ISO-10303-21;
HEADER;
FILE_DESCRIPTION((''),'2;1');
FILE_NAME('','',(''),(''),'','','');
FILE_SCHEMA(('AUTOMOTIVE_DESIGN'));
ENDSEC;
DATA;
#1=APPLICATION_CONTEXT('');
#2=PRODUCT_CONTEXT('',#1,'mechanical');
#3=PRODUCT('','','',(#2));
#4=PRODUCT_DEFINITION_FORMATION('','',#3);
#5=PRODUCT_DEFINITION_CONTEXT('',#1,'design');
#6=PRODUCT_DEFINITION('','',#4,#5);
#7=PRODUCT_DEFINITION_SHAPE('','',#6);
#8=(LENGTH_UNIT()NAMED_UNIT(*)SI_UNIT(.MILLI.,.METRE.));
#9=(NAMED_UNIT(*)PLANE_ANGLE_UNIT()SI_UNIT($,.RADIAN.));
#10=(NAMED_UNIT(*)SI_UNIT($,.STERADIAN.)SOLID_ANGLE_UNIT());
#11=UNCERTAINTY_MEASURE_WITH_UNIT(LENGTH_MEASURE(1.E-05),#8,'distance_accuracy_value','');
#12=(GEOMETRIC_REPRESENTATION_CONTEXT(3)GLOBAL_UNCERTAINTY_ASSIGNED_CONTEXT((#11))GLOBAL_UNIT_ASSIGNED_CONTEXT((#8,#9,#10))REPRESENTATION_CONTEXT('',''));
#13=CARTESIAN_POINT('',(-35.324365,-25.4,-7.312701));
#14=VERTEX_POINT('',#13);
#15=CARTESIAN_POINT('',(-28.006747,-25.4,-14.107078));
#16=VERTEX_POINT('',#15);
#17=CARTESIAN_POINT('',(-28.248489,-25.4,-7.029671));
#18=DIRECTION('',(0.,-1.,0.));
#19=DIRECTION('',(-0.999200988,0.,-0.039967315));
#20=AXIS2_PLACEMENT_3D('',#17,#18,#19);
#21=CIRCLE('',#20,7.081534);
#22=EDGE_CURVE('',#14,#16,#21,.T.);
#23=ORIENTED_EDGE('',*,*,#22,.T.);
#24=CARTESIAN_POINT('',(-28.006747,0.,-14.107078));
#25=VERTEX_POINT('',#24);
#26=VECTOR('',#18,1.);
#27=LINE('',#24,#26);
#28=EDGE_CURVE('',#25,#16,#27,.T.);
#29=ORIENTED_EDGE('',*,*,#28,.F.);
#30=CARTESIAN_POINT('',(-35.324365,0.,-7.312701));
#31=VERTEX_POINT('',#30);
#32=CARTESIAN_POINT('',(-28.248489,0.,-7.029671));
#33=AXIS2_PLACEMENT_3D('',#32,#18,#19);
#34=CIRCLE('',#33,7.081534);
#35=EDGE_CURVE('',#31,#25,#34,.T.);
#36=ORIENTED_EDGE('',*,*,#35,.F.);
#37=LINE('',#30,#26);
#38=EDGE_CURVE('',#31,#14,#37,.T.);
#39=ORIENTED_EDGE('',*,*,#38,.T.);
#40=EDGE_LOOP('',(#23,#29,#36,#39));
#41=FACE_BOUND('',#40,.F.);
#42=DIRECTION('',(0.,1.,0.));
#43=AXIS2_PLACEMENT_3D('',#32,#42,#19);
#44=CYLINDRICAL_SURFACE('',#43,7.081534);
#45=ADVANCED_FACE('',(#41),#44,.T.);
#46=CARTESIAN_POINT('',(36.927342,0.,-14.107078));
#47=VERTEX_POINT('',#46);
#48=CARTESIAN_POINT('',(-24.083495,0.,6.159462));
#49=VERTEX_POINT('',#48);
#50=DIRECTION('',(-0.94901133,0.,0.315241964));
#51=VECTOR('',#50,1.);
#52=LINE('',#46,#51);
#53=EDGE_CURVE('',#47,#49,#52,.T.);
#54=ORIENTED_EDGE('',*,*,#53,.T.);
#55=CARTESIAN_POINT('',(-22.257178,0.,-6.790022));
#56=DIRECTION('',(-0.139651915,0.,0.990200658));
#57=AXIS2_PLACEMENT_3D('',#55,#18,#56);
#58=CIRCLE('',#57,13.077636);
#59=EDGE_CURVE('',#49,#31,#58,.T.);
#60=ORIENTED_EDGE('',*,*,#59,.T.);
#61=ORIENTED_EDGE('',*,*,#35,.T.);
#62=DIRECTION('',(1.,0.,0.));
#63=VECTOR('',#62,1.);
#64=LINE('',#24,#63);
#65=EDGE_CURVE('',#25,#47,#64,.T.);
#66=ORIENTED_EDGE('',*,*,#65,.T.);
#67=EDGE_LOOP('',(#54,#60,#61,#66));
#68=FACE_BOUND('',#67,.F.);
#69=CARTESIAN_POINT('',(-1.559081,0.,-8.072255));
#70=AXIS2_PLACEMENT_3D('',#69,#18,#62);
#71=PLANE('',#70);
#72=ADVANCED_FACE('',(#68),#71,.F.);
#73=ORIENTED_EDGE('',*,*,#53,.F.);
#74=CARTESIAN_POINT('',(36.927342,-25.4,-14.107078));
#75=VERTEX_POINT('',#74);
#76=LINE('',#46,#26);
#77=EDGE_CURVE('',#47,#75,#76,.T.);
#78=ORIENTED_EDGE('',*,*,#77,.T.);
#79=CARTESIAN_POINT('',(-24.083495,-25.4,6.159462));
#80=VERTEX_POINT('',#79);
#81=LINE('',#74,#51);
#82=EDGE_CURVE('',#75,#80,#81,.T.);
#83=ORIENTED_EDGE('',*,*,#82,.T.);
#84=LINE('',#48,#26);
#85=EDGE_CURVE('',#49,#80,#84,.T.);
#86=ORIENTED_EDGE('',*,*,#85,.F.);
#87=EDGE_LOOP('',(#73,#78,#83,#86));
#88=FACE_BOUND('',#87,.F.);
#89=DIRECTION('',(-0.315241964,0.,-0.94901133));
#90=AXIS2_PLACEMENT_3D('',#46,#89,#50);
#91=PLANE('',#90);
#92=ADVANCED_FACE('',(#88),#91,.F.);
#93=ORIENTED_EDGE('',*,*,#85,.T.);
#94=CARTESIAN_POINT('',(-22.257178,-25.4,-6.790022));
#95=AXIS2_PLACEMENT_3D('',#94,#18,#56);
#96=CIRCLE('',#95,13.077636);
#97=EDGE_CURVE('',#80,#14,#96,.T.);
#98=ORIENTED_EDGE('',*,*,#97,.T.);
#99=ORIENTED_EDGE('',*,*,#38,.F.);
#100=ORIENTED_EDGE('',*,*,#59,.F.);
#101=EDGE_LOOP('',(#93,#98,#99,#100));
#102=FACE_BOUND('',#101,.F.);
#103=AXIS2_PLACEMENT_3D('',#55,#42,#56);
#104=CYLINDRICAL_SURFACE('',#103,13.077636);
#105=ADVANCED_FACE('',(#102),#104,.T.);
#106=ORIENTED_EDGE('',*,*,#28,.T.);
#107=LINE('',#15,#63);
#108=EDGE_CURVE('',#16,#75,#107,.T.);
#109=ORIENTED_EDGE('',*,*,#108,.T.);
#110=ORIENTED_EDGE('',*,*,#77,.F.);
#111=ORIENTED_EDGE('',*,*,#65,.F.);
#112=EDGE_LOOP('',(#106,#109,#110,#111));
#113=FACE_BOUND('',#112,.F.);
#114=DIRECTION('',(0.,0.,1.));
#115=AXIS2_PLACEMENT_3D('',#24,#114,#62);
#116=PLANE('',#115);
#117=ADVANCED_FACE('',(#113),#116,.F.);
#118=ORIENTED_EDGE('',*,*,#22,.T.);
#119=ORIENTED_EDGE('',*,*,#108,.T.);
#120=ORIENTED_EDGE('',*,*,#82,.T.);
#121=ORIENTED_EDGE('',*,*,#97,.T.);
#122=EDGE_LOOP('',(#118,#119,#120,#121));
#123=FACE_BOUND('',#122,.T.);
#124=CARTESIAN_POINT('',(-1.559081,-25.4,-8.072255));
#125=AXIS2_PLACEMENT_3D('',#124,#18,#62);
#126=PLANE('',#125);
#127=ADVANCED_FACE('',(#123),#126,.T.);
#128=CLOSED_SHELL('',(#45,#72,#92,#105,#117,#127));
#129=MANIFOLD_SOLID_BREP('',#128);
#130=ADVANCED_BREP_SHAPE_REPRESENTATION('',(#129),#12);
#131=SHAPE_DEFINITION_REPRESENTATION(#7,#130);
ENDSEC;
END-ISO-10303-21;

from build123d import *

# Parameters (mm, degrees)
F2_DEPTH = 25.4


with BuildPart() as f2:
    # F1 (on face) → F2 (new body)
    with BuildSketch(Plane.XZ):
        with BuildLine():
            ThreePointArc((-24.083495, 6.159462), (-32.298538, 1.588263), (-35.324365, -7.312701))
            ThreePointArc((-35.324365, -7.312701), (-33.066916, -12.219169), (-28.006747, -14.107078))
            Line((-28.006747, -14.107078), (36.927342, -14.107078))
            Line((36.927342, -14.107078), (-24.083495, 6.159462))
        make_face()
    extrude(amount=F2_DEPTH)


solid = f2.part
